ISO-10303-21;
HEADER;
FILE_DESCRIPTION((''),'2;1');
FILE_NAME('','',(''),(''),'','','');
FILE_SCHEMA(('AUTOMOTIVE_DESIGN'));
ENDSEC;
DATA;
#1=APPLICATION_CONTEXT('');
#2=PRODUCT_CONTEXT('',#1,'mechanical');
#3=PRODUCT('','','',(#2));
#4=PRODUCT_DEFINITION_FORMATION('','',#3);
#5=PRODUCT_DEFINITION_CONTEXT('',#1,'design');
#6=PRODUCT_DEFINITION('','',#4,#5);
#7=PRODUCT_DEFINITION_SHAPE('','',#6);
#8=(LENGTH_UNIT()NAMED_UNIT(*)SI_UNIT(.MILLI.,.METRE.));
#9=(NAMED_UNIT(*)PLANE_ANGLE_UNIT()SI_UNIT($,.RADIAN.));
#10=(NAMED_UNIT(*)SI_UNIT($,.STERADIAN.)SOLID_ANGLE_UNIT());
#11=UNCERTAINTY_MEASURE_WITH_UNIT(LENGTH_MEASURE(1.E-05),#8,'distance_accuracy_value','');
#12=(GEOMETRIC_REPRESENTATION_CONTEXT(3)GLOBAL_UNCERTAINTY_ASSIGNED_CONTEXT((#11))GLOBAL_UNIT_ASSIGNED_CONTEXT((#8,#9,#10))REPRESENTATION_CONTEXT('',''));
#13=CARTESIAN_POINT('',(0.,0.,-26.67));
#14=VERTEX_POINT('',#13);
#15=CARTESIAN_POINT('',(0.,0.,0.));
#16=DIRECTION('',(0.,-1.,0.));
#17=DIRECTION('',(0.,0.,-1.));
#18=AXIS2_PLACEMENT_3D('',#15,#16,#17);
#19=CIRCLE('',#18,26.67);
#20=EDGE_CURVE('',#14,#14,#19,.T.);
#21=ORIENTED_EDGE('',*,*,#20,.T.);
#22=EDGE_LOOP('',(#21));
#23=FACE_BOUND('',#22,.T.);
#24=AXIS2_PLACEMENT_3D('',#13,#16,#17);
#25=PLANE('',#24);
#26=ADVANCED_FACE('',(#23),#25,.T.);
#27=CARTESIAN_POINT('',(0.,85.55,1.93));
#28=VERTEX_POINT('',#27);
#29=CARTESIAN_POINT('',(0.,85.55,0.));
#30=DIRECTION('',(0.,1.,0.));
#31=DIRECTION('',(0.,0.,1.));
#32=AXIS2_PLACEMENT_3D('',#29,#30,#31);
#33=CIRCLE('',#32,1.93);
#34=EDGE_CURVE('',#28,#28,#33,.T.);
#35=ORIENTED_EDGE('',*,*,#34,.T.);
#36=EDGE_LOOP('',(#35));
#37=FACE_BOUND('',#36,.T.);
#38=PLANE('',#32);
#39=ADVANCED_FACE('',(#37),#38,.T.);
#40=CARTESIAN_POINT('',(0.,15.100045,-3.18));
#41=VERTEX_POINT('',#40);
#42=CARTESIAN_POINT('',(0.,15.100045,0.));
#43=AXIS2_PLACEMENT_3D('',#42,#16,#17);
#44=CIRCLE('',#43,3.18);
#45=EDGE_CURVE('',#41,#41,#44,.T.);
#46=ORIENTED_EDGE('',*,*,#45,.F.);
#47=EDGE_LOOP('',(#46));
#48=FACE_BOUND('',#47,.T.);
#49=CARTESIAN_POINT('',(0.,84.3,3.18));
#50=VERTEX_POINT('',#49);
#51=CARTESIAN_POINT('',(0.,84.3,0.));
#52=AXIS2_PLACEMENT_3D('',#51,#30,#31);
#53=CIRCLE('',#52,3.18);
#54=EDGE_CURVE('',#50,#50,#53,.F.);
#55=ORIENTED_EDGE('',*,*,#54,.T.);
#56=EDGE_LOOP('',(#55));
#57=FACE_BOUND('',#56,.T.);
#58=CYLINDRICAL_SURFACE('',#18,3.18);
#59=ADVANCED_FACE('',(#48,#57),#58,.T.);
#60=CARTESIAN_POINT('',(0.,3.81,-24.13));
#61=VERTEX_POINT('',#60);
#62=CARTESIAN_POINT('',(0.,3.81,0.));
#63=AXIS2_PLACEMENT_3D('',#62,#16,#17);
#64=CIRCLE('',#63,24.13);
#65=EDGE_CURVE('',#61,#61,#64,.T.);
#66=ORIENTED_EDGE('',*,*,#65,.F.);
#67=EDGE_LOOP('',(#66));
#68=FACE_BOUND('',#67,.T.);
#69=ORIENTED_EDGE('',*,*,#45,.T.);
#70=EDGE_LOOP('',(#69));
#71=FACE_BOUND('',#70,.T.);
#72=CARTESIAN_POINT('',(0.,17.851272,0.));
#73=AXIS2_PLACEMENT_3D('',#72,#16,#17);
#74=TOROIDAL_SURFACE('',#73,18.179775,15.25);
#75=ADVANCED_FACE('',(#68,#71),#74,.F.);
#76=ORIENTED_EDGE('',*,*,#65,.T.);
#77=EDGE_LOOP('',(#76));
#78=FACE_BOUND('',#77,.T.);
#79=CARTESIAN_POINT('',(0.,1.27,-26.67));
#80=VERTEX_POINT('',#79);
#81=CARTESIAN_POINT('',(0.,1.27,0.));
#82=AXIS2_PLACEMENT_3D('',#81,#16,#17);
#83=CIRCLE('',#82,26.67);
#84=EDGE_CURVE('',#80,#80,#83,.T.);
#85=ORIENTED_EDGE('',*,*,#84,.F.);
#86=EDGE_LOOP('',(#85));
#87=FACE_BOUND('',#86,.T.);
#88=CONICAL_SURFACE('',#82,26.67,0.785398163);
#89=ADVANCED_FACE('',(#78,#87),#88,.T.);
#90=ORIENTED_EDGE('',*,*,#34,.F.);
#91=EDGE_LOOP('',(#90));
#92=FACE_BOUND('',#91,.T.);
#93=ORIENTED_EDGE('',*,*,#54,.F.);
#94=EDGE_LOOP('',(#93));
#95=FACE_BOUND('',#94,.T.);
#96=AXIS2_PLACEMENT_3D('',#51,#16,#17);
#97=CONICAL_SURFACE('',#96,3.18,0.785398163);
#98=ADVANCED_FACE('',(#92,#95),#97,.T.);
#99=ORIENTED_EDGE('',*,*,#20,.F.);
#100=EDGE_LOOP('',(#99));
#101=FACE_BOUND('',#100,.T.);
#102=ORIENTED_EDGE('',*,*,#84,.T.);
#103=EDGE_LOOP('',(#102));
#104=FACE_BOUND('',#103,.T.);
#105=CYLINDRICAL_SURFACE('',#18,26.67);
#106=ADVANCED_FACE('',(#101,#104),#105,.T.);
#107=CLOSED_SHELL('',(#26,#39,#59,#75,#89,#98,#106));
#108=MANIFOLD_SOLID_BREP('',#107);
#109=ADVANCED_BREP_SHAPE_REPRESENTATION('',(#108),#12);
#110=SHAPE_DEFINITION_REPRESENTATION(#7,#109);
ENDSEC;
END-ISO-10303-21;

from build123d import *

# Parameters (mm, degrees)
CHAMFER1_SIZE = 1.25


with BuildPart() as part:
    # Sketch1 → Revolve1 (revolve)
    with BuildSketch(Plane(origin=(0, 0, 0), x_dir=(0, 0, -1), z_dir=(1, 0, 0))):
        with BuildLine():
            Line((0, 0), (0, 85.55))
            Line((0, 85.55), (3.18, 85.55))
            Line((3.18, 85.55), (3.18, 15.100044805))
            ThreePointArc((3.18, 15.100044805), (10.945145292, 4.426569715), (24.13, 3.81))
            Line((24.13, 3.81), (26.67, 1.27))
            Line((26.67, 1.27), (26.67, 0))
            Line((26.67, 0), (0, 0))
        make_face()
    revolve(axis=Axis((0, 0, 0), (0, 1, 0)))

    # Chamfer1
    chamfer1_edges = [part.edges().sort_by_distance(p)[0] for p in [
        (0, 85.55, 3.18),
    ]]
    chamfer(chamfer1_edges, length=CHAMFER1_SIZE)


solid = part.part
